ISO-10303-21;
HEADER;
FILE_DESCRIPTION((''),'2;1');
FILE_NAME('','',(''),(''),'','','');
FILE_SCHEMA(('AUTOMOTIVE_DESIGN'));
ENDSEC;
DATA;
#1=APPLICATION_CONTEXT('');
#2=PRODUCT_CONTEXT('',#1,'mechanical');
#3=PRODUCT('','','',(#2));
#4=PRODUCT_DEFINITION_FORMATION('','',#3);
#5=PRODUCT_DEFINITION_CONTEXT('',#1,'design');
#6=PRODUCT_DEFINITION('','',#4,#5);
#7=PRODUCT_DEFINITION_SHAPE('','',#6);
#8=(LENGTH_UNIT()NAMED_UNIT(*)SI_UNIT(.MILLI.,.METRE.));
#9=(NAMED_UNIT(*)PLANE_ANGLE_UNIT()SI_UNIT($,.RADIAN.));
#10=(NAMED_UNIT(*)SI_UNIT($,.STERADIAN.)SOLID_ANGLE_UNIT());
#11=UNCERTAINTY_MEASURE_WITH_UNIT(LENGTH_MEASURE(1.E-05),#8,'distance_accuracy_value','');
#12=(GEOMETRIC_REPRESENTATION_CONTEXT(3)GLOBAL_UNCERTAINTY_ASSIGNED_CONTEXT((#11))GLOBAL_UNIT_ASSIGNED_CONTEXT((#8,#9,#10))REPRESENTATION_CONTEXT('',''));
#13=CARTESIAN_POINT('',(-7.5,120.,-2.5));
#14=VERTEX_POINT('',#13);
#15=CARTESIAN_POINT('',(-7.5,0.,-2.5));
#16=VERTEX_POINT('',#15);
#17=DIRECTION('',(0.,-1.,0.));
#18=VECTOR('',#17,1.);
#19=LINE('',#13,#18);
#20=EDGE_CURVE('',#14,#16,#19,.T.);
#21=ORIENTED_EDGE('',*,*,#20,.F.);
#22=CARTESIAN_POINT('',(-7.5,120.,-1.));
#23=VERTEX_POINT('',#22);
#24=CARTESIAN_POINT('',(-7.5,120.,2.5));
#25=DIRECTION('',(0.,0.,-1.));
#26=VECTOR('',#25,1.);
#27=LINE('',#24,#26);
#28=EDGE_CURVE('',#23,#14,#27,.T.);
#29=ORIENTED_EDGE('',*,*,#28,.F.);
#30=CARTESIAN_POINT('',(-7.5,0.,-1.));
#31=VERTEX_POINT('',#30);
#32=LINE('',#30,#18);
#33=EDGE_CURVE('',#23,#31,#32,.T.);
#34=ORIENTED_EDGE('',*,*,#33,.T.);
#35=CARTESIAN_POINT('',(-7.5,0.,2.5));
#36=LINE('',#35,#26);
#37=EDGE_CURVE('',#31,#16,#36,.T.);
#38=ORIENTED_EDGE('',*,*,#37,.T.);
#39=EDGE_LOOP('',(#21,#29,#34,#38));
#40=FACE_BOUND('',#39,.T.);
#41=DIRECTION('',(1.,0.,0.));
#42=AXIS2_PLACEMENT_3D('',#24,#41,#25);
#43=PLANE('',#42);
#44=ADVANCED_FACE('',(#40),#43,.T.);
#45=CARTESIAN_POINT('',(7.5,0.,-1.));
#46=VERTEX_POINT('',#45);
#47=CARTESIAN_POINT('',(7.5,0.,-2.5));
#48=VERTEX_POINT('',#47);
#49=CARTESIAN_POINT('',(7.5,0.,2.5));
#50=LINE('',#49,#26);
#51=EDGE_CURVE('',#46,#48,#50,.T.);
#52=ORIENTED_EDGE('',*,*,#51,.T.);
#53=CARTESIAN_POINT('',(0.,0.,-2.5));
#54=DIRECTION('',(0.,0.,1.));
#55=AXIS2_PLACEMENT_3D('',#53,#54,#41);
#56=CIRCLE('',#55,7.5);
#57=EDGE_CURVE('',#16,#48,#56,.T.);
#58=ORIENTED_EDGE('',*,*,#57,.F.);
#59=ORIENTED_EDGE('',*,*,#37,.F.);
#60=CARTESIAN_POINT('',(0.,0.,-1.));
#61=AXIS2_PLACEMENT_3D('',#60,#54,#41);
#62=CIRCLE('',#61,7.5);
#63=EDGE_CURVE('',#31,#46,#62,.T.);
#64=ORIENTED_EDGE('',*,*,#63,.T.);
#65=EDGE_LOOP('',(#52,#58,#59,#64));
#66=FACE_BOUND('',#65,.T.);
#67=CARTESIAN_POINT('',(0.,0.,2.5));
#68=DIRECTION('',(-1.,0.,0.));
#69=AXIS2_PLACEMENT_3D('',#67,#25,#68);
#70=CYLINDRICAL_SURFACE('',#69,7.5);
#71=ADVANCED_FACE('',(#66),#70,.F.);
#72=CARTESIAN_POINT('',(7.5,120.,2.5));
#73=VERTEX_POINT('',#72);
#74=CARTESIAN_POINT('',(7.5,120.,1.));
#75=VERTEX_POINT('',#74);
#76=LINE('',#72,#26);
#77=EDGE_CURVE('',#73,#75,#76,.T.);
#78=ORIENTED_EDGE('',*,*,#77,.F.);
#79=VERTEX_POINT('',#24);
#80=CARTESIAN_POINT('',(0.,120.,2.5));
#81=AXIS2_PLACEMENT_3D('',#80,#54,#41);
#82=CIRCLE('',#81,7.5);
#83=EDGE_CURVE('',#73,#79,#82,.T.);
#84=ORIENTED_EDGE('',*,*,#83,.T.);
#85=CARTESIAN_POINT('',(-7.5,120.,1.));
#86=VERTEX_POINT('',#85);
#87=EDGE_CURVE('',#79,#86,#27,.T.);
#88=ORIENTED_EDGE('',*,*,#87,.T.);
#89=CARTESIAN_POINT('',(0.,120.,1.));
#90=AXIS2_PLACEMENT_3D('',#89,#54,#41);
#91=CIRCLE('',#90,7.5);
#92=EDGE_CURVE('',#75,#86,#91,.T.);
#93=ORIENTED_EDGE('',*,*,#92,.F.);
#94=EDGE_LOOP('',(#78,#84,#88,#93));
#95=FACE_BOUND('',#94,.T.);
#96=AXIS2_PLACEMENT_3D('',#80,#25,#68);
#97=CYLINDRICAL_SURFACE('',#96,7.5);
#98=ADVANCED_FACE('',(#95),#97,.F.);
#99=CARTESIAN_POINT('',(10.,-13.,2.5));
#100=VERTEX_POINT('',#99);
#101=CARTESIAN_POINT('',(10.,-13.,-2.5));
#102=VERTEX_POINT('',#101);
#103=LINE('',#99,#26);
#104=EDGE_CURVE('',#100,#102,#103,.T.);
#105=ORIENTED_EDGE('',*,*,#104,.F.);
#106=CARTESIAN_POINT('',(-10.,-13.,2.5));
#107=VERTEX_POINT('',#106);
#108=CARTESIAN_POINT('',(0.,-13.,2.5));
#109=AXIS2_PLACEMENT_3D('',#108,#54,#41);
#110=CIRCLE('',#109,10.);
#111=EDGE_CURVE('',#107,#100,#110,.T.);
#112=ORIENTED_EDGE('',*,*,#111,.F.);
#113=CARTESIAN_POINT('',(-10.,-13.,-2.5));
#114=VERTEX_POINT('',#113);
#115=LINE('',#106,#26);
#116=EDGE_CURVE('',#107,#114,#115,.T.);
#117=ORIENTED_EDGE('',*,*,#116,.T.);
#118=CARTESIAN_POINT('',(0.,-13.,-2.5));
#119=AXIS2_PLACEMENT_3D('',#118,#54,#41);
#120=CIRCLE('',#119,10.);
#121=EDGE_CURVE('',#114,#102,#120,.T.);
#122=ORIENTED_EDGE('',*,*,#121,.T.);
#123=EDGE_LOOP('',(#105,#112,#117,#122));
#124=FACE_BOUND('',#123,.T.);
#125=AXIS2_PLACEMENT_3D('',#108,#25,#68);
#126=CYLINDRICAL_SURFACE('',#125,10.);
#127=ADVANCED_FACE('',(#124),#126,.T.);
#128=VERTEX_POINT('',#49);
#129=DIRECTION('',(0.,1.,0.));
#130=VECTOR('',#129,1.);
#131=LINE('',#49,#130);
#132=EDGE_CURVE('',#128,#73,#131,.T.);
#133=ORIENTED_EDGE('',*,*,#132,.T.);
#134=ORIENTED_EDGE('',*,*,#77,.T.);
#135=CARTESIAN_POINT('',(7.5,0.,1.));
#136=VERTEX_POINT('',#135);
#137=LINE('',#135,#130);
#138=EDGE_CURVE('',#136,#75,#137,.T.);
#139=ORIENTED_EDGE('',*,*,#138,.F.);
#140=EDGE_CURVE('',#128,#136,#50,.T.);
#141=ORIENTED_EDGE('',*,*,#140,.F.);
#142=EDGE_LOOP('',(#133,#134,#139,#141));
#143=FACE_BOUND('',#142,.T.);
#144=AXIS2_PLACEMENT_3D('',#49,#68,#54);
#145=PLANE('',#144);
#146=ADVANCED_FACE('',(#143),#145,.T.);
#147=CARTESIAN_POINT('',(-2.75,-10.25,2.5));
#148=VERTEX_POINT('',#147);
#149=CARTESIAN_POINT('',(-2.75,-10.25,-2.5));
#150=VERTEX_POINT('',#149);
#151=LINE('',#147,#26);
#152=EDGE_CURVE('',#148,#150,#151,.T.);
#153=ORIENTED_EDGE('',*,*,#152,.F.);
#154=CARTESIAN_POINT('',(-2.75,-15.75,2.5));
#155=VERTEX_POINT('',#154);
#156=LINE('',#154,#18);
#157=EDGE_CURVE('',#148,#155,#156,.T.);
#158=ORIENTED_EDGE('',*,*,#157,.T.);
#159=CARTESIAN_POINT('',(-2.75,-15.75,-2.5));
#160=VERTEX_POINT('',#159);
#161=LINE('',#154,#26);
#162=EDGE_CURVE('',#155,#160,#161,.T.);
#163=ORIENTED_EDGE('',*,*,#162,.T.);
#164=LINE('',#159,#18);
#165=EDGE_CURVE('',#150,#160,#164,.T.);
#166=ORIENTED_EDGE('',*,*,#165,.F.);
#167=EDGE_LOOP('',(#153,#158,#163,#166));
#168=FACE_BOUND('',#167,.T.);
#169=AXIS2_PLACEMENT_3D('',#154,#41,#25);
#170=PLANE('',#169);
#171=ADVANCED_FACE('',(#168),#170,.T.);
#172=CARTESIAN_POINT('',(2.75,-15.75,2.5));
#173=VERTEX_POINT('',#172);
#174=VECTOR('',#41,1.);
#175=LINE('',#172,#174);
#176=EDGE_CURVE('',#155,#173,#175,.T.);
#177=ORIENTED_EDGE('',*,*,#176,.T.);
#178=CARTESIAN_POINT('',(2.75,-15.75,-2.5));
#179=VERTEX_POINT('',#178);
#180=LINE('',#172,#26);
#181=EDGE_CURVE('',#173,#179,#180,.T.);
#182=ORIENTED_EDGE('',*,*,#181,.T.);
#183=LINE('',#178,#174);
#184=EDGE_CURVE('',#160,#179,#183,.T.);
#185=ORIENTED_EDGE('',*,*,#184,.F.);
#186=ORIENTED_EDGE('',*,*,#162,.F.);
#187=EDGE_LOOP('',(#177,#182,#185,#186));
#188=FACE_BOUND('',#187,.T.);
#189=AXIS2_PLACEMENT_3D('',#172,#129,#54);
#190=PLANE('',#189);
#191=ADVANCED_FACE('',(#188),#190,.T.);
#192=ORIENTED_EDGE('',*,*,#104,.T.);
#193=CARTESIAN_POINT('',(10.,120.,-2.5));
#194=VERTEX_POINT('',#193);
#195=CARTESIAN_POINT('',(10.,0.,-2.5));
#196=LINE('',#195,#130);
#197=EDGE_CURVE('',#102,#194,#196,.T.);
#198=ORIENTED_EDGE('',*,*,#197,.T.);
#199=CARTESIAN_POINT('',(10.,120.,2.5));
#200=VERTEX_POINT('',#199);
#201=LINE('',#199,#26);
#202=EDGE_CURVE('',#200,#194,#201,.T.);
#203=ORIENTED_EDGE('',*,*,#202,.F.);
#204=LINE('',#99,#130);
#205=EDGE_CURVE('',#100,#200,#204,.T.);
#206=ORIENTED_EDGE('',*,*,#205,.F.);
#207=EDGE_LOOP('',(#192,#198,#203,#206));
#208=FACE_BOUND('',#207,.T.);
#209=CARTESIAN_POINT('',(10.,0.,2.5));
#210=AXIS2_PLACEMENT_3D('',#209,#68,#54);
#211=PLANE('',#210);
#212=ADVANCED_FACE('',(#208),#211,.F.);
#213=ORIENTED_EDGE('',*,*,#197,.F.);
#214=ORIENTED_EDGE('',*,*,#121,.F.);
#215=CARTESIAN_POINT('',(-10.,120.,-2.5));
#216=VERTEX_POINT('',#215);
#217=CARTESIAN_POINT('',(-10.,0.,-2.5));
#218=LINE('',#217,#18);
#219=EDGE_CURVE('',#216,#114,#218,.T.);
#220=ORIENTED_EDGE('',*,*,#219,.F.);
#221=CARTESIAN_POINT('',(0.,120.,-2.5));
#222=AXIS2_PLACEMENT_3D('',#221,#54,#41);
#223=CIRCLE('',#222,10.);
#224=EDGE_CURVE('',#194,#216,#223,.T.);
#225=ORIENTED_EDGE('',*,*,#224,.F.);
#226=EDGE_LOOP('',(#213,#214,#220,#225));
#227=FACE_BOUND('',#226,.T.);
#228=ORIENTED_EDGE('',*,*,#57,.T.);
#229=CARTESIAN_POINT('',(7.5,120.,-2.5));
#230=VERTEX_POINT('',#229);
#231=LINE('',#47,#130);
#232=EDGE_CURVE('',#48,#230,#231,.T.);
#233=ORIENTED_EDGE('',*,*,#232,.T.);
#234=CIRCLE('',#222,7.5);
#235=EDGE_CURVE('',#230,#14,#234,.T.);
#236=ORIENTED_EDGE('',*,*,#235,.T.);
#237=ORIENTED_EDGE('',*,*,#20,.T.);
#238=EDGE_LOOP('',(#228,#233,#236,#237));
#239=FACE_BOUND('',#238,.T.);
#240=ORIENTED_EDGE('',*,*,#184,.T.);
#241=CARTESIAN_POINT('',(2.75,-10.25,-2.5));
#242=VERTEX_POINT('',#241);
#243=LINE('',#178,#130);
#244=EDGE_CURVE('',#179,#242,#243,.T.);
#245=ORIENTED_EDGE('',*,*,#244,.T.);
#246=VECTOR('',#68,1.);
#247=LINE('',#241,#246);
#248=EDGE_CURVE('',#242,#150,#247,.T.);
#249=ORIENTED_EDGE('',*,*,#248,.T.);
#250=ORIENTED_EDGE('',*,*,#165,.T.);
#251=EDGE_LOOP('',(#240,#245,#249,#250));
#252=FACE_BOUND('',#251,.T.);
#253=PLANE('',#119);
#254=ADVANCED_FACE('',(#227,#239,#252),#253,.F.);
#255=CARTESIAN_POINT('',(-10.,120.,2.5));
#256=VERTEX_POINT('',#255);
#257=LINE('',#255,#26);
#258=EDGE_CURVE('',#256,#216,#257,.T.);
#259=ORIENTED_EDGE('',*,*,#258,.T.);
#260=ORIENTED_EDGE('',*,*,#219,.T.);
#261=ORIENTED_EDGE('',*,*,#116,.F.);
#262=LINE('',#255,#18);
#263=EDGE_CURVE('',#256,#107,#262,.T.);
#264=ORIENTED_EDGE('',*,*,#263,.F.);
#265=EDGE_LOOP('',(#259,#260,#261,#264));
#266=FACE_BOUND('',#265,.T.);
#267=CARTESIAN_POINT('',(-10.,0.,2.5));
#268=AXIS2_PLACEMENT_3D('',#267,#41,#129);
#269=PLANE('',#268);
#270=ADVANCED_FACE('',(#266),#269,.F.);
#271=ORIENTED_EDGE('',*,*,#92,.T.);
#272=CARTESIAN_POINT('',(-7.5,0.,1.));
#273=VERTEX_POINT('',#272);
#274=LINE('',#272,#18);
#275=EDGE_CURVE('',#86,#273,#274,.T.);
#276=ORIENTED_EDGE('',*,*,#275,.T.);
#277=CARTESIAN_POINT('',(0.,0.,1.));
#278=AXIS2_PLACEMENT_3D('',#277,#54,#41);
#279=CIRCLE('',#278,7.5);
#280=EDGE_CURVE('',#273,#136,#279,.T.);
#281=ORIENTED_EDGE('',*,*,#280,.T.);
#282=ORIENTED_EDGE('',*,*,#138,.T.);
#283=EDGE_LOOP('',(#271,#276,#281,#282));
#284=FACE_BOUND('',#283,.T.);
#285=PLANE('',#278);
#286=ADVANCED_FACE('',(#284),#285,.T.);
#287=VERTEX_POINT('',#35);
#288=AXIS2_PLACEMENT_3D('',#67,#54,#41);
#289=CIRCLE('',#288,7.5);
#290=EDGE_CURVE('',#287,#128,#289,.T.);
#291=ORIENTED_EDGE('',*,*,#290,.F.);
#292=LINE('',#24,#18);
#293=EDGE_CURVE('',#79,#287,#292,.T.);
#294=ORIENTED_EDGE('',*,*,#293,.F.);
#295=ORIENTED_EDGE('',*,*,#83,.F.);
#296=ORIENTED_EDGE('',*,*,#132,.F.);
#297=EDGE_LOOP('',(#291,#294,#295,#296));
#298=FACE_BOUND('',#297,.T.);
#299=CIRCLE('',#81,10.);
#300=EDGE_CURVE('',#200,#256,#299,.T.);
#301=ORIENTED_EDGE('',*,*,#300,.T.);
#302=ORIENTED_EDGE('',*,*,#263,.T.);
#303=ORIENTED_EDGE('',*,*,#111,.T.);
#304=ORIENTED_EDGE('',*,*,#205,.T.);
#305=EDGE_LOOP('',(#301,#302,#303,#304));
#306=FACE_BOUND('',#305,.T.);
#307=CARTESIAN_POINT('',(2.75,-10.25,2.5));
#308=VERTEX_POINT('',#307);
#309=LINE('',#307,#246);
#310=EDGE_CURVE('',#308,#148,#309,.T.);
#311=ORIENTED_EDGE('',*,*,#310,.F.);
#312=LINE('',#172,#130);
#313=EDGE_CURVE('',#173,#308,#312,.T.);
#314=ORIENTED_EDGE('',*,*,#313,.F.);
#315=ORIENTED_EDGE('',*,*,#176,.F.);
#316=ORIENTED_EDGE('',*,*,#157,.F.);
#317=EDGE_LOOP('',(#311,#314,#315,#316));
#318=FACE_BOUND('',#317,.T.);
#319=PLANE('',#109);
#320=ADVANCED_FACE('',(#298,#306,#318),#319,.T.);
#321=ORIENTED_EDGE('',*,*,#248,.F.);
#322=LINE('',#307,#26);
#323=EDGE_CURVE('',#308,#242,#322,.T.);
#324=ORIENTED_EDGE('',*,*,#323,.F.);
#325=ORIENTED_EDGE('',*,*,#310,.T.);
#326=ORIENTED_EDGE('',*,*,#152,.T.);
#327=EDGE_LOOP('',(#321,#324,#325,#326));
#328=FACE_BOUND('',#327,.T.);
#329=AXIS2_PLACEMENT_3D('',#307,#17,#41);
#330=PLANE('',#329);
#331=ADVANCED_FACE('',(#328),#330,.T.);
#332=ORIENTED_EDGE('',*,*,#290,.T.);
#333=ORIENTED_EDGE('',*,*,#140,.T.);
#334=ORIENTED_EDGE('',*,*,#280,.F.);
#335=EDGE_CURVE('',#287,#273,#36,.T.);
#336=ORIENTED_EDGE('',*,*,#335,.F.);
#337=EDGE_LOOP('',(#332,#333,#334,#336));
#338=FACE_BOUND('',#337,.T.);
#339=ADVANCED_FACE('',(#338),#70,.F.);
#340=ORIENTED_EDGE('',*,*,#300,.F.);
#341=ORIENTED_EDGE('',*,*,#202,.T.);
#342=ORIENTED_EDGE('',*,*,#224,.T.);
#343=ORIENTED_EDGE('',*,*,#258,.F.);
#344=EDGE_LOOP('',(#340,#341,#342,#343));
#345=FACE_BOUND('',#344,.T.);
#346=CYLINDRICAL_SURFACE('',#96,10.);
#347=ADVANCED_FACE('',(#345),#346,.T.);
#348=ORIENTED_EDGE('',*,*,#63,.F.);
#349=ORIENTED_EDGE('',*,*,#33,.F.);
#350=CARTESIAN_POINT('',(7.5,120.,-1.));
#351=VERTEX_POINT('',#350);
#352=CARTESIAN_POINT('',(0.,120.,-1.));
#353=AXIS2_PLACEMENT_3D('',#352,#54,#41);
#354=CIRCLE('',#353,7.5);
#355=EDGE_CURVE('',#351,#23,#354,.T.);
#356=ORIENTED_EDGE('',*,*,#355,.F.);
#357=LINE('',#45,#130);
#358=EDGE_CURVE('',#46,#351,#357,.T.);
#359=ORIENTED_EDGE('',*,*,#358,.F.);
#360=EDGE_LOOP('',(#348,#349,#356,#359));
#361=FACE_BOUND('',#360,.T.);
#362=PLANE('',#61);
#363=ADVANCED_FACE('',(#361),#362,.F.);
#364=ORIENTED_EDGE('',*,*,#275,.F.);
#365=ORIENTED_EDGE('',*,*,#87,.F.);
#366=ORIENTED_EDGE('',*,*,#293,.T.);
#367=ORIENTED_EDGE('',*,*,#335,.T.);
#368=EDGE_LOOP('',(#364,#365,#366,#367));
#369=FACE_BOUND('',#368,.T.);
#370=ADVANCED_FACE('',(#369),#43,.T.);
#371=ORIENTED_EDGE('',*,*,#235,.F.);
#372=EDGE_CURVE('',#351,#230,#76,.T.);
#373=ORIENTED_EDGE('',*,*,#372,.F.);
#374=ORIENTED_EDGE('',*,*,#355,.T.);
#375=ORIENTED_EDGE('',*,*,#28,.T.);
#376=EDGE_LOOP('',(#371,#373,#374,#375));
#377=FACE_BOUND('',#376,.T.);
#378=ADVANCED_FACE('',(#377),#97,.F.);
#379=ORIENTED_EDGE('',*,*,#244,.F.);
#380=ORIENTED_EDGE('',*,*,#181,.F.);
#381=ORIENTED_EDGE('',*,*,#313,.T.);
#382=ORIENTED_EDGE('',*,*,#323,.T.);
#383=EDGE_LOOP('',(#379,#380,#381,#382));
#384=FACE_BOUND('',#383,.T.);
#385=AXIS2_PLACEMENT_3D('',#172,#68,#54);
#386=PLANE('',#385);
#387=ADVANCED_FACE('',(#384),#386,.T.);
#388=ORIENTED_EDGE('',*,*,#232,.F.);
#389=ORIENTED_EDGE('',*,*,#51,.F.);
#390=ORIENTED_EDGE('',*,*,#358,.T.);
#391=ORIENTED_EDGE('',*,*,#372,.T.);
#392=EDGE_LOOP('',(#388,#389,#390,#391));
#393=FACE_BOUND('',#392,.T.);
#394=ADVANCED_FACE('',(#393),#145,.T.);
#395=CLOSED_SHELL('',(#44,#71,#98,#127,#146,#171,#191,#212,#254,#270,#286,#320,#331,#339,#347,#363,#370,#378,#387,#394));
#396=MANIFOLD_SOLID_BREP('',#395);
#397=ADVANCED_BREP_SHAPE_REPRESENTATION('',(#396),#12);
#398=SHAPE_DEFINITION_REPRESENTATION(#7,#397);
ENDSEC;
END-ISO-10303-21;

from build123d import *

# Parameters (mm, degrees)
EXTRUDE_1_DEPTH = 1
SKETCH_2_W      = 5.5
SKETCH_2_H      = 5.5
EXTRUDE_2_DEPTH = 2.5


with BuildPart() as part:
    # 草图1 → 凸台-拉伸1 (new body, symmetric)
    with BuildSketch(Plane.XY):
        with BuildLine():
            Line((-7.5, 0), (-7.5, 120))
            ThreePointArc((-7.5, 120), (0, 127.5), (7.5, 120))
            Line((7.5, 120), (7.5, 0))
            ThreePointArc((7.5, 0), (0, -7.5), (-7.5, 0))
        make_face()
    extrude(amount=EXTRUDE_1_DEPTH, both=True)

    # 草图2 → 凸台-拉伸2 (add, symmetric)
    with BuildSketch(Plane.XY):
        with BuildLine():
            Line((-10, 0), (-10, -13))
            ThreePointArc((-10, -13), (0, -23), (10, -13))
            Line((10, -13), (10, 0))
            Line((10, 0), (10, 120))
            ThreePointArc((10, 120), (0, 130), (-10, 120))
            Line((-10, 120), (-10, 0))
        make_face()
        with Locations((0, -13)):
            Rectangle(SKETCH_2_W, SKETCH_2_H, mode=Mode.SUBTRACT)
        with BuildLine():
            Line((-7.5, 120), (-7.5, 0))
            ThreePointArc((-7.5, 0), (0, -7.5), (7.5, 0))
            Line((7.5, 0), (7.5, 120))
            ThreePointArc((7.5, 120), (0, 127.5), (-7.5, 120))
        make_face(mode=Mode.SUBTRACT)
    extrude(amount=EXTRUDE_2_DEPTH, both=True)


solid = part.part
